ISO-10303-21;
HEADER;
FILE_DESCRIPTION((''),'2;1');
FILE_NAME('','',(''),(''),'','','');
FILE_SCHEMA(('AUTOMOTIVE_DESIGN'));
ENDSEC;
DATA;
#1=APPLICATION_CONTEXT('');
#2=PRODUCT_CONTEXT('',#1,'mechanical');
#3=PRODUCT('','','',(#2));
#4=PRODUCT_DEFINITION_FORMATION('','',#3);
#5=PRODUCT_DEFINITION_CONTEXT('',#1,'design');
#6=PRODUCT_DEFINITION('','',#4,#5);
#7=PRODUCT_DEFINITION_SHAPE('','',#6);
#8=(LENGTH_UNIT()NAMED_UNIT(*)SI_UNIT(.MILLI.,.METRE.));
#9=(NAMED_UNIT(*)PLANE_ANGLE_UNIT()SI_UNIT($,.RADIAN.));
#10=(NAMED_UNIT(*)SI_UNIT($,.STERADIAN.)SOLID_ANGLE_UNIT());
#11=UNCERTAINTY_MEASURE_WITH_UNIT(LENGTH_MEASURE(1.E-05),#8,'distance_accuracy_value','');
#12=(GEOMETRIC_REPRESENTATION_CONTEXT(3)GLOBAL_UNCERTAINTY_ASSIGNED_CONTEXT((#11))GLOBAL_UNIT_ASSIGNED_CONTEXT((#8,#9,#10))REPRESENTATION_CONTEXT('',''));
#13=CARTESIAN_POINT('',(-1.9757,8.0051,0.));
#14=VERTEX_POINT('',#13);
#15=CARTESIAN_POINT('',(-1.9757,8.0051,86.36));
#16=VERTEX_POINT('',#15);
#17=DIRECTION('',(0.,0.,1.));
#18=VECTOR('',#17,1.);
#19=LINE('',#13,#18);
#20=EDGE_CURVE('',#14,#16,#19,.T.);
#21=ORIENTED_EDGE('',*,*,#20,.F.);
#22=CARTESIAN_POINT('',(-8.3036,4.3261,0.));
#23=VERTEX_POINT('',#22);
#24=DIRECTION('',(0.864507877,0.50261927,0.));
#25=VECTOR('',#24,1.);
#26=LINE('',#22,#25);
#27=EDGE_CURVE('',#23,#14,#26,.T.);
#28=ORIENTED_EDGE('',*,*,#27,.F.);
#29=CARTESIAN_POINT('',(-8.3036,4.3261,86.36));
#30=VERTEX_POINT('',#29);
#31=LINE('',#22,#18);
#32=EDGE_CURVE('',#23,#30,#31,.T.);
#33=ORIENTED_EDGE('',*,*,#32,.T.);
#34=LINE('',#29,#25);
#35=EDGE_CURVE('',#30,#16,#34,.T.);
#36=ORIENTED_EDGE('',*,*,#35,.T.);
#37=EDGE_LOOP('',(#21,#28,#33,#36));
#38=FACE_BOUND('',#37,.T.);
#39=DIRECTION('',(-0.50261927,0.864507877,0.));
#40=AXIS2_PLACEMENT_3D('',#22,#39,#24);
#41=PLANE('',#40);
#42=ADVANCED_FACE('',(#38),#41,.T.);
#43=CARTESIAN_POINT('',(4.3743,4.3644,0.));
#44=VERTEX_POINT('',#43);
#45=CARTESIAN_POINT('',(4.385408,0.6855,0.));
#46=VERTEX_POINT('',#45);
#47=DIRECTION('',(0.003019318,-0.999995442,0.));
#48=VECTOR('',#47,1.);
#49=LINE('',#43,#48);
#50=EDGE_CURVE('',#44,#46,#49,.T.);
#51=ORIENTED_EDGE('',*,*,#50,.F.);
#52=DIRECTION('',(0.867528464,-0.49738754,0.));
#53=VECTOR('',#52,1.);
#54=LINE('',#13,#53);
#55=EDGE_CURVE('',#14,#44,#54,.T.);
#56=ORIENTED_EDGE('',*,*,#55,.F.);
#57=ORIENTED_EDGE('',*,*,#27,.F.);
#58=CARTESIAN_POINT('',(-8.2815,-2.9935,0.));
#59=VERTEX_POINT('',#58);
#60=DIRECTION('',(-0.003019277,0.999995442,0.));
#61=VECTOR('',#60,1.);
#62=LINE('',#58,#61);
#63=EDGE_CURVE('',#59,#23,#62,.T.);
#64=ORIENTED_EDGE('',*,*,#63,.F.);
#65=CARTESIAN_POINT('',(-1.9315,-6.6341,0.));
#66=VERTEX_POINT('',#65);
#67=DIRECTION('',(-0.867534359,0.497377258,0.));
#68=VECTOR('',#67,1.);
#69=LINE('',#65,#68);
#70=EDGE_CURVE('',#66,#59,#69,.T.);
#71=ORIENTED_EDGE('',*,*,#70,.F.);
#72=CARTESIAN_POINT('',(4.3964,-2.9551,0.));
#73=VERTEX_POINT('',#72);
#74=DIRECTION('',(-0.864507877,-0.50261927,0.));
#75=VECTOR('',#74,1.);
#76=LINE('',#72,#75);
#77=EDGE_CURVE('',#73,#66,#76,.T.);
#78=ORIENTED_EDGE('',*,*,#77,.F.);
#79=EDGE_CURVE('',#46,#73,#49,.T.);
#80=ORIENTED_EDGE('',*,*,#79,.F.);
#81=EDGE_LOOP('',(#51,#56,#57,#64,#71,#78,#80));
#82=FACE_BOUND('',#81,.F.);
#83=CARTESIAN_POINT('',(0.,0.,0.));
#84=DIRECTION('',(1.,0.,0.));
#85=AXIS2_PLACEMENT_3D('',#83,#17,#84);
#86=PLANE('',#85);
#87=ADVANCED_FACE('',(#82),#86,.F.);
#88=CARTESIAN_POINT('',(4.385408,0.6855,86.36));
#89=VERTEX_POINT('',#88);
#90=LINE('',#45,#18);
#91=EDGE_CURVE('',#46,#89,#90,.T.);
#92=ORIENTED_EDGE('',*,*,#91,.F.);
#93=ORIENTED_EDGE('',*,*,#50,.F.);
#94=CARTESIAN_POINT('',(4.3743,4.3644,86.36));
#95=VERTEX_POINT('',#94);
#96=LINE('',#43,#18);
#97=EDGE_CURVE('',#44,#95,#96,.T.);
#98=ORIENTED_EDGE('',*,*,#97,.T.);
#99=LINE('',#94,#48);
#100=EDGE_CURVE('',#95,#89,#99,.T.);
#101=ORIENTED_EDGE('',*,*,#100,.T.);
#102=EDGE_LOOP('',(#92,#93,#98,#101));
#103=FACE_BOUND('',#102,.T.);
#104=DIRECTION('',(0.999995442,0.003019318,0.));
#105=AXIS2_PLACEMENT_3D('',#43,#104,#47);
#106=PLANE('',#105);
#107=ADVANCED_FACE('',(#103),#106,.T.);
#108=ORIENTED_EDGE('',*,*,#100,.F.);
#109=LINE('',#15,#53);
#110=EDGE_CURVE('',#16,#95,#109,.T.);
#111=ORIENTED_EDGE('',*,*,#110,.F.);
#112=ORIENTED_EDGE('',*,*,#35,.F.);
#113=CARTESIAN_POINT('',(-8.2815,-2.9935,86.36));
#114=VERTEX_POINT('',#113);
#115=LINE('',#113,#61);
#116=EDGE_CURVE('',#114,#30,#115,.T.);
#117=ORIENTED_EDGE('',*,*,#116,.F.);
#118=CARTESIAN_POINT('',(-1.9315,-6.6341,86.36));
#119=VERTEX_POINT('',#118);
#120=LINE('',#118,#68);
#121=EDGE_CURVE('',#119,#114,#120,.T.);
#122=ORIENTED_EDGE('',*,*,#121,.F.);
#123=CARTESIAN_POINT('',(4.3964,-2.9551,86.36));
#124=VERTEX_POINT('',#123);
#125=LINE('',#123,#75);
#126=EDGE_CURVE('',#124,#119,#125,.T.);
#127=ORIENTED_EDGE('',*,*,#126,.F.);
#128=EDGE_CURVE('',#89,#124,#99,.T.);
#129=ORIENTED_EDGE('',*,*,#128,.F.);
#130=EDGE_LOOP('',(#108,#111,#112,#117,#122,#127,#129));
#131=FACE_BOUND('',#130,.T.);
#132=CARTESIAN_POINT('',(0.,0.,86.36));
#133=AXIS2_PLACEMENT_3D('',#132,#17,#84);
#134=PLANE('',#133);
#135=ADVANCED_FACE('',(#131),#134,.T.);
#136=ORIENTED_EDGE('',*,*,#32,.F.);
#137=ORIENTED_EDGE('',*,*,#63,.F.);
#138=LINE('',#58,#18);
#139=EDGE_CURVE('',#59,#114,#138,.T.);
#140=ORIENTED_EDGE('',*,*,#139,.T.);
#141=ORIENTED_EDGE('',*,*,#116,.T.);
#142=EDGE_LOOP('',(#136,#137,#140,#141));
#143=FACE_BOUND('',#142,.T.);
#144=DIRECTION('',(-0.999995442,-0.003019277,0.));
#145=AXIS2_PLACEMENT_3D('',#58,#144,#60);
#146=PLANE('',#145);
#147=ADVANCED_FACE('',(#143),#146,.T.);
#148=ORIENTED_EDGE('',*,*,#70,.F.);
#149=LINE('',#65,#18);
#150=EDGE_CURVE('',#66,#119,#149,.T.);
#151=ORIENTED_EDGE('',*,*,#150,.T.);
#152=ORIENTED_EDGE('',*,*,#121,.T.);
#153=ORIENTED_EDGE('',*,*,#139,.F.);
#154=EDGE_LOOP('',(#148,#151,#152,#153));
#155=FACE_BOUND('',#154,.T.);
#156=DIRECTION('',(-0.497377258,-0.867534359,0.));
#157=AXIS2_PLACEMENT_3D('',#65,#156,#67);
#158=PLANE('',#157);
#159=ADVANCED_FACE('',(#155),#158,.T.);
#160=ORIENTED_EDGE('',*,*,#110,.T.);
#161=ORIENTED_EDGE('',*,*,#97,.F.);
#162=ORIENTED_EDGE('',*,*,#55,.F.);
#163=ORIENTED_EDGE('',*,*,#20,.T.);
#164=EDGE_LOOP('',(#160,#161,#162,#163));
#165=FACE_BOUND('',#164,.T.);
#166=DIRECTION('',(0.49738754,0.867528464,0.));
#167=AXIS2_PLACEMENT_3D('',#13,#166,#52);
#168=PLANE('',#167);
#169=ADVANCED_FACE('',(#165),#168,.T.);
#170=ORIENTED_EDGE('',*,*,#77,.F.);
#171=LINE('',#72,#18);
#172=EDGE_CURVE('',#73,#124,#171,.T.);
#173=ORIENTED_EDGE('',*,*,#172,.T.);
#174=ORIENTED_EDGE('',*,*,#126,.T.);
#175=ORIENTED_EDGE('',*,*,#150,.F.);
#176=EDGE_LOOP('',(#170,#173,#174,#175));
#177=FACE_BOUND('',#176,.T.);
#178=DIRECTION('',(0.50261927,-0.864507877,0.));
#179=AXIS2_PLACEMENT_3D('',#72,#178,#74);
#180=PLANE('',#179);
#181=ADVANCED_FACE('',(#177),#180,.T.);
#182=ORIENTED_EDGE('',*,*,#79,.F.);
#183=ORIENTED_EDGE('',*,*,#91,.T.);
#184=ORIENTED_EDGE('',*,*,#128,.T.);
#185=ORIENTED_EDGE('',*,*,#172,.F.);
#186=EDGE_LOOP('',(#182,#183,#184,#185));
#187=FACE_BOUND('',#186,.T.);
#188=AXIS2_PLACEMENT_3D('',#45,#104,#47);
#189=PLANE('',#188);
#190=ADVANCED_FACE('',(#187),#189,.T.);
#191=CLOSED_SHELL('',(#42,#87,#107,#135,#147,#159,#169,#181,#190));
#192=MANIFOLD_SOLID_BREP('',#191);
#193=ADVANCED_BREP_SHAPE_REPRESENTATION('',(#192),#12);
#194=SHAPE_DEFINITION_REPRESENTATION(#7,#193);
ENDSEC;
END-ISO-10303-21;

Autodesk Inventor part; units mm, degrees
ref_plane "YZ Plane" through (0, 0, 0) normal (1, 0, 0) x (0, 1, 0)
ref_plane "XZ Plane" through (0, 0, 0) normal (0, 1, 0) x (-1, 0, 0)
ref_plane "XY Plane" through (0, 0, 0) normal (0, 0, 1) x (1, 0, 0)
sketch "Sketch1" plane through (0, 0, 0) normal (0, 0, 1) x (1, 0, 0)
  line L0 (-1.9536, 0.6855) -> (4.3964, 0.6855)
  line L1 (4.3964, -2.9551) -> (-1.9315, -6.6341)
  line L2 (-1.9315, -6.6341) -> (-8.2815, -2.9935)
  line L3 (-8.2815, -2.9935) -> (-8.3036, 4.3261)
  line L4 (-8.3036, 4.3261) -> (-1.9757, 8.0051)
  line L5 (-1.9757, 8.0051) -> (4.3743, 4.3644)
  line L6 (4.3743, 4.3644) -> (4.3964, -2.9551)
  dimension "d0" = 6.35
extrude "Extrusion1" add sketch "Sketch1" along normal blind 86.36
properties part number "Hex Shaft"
